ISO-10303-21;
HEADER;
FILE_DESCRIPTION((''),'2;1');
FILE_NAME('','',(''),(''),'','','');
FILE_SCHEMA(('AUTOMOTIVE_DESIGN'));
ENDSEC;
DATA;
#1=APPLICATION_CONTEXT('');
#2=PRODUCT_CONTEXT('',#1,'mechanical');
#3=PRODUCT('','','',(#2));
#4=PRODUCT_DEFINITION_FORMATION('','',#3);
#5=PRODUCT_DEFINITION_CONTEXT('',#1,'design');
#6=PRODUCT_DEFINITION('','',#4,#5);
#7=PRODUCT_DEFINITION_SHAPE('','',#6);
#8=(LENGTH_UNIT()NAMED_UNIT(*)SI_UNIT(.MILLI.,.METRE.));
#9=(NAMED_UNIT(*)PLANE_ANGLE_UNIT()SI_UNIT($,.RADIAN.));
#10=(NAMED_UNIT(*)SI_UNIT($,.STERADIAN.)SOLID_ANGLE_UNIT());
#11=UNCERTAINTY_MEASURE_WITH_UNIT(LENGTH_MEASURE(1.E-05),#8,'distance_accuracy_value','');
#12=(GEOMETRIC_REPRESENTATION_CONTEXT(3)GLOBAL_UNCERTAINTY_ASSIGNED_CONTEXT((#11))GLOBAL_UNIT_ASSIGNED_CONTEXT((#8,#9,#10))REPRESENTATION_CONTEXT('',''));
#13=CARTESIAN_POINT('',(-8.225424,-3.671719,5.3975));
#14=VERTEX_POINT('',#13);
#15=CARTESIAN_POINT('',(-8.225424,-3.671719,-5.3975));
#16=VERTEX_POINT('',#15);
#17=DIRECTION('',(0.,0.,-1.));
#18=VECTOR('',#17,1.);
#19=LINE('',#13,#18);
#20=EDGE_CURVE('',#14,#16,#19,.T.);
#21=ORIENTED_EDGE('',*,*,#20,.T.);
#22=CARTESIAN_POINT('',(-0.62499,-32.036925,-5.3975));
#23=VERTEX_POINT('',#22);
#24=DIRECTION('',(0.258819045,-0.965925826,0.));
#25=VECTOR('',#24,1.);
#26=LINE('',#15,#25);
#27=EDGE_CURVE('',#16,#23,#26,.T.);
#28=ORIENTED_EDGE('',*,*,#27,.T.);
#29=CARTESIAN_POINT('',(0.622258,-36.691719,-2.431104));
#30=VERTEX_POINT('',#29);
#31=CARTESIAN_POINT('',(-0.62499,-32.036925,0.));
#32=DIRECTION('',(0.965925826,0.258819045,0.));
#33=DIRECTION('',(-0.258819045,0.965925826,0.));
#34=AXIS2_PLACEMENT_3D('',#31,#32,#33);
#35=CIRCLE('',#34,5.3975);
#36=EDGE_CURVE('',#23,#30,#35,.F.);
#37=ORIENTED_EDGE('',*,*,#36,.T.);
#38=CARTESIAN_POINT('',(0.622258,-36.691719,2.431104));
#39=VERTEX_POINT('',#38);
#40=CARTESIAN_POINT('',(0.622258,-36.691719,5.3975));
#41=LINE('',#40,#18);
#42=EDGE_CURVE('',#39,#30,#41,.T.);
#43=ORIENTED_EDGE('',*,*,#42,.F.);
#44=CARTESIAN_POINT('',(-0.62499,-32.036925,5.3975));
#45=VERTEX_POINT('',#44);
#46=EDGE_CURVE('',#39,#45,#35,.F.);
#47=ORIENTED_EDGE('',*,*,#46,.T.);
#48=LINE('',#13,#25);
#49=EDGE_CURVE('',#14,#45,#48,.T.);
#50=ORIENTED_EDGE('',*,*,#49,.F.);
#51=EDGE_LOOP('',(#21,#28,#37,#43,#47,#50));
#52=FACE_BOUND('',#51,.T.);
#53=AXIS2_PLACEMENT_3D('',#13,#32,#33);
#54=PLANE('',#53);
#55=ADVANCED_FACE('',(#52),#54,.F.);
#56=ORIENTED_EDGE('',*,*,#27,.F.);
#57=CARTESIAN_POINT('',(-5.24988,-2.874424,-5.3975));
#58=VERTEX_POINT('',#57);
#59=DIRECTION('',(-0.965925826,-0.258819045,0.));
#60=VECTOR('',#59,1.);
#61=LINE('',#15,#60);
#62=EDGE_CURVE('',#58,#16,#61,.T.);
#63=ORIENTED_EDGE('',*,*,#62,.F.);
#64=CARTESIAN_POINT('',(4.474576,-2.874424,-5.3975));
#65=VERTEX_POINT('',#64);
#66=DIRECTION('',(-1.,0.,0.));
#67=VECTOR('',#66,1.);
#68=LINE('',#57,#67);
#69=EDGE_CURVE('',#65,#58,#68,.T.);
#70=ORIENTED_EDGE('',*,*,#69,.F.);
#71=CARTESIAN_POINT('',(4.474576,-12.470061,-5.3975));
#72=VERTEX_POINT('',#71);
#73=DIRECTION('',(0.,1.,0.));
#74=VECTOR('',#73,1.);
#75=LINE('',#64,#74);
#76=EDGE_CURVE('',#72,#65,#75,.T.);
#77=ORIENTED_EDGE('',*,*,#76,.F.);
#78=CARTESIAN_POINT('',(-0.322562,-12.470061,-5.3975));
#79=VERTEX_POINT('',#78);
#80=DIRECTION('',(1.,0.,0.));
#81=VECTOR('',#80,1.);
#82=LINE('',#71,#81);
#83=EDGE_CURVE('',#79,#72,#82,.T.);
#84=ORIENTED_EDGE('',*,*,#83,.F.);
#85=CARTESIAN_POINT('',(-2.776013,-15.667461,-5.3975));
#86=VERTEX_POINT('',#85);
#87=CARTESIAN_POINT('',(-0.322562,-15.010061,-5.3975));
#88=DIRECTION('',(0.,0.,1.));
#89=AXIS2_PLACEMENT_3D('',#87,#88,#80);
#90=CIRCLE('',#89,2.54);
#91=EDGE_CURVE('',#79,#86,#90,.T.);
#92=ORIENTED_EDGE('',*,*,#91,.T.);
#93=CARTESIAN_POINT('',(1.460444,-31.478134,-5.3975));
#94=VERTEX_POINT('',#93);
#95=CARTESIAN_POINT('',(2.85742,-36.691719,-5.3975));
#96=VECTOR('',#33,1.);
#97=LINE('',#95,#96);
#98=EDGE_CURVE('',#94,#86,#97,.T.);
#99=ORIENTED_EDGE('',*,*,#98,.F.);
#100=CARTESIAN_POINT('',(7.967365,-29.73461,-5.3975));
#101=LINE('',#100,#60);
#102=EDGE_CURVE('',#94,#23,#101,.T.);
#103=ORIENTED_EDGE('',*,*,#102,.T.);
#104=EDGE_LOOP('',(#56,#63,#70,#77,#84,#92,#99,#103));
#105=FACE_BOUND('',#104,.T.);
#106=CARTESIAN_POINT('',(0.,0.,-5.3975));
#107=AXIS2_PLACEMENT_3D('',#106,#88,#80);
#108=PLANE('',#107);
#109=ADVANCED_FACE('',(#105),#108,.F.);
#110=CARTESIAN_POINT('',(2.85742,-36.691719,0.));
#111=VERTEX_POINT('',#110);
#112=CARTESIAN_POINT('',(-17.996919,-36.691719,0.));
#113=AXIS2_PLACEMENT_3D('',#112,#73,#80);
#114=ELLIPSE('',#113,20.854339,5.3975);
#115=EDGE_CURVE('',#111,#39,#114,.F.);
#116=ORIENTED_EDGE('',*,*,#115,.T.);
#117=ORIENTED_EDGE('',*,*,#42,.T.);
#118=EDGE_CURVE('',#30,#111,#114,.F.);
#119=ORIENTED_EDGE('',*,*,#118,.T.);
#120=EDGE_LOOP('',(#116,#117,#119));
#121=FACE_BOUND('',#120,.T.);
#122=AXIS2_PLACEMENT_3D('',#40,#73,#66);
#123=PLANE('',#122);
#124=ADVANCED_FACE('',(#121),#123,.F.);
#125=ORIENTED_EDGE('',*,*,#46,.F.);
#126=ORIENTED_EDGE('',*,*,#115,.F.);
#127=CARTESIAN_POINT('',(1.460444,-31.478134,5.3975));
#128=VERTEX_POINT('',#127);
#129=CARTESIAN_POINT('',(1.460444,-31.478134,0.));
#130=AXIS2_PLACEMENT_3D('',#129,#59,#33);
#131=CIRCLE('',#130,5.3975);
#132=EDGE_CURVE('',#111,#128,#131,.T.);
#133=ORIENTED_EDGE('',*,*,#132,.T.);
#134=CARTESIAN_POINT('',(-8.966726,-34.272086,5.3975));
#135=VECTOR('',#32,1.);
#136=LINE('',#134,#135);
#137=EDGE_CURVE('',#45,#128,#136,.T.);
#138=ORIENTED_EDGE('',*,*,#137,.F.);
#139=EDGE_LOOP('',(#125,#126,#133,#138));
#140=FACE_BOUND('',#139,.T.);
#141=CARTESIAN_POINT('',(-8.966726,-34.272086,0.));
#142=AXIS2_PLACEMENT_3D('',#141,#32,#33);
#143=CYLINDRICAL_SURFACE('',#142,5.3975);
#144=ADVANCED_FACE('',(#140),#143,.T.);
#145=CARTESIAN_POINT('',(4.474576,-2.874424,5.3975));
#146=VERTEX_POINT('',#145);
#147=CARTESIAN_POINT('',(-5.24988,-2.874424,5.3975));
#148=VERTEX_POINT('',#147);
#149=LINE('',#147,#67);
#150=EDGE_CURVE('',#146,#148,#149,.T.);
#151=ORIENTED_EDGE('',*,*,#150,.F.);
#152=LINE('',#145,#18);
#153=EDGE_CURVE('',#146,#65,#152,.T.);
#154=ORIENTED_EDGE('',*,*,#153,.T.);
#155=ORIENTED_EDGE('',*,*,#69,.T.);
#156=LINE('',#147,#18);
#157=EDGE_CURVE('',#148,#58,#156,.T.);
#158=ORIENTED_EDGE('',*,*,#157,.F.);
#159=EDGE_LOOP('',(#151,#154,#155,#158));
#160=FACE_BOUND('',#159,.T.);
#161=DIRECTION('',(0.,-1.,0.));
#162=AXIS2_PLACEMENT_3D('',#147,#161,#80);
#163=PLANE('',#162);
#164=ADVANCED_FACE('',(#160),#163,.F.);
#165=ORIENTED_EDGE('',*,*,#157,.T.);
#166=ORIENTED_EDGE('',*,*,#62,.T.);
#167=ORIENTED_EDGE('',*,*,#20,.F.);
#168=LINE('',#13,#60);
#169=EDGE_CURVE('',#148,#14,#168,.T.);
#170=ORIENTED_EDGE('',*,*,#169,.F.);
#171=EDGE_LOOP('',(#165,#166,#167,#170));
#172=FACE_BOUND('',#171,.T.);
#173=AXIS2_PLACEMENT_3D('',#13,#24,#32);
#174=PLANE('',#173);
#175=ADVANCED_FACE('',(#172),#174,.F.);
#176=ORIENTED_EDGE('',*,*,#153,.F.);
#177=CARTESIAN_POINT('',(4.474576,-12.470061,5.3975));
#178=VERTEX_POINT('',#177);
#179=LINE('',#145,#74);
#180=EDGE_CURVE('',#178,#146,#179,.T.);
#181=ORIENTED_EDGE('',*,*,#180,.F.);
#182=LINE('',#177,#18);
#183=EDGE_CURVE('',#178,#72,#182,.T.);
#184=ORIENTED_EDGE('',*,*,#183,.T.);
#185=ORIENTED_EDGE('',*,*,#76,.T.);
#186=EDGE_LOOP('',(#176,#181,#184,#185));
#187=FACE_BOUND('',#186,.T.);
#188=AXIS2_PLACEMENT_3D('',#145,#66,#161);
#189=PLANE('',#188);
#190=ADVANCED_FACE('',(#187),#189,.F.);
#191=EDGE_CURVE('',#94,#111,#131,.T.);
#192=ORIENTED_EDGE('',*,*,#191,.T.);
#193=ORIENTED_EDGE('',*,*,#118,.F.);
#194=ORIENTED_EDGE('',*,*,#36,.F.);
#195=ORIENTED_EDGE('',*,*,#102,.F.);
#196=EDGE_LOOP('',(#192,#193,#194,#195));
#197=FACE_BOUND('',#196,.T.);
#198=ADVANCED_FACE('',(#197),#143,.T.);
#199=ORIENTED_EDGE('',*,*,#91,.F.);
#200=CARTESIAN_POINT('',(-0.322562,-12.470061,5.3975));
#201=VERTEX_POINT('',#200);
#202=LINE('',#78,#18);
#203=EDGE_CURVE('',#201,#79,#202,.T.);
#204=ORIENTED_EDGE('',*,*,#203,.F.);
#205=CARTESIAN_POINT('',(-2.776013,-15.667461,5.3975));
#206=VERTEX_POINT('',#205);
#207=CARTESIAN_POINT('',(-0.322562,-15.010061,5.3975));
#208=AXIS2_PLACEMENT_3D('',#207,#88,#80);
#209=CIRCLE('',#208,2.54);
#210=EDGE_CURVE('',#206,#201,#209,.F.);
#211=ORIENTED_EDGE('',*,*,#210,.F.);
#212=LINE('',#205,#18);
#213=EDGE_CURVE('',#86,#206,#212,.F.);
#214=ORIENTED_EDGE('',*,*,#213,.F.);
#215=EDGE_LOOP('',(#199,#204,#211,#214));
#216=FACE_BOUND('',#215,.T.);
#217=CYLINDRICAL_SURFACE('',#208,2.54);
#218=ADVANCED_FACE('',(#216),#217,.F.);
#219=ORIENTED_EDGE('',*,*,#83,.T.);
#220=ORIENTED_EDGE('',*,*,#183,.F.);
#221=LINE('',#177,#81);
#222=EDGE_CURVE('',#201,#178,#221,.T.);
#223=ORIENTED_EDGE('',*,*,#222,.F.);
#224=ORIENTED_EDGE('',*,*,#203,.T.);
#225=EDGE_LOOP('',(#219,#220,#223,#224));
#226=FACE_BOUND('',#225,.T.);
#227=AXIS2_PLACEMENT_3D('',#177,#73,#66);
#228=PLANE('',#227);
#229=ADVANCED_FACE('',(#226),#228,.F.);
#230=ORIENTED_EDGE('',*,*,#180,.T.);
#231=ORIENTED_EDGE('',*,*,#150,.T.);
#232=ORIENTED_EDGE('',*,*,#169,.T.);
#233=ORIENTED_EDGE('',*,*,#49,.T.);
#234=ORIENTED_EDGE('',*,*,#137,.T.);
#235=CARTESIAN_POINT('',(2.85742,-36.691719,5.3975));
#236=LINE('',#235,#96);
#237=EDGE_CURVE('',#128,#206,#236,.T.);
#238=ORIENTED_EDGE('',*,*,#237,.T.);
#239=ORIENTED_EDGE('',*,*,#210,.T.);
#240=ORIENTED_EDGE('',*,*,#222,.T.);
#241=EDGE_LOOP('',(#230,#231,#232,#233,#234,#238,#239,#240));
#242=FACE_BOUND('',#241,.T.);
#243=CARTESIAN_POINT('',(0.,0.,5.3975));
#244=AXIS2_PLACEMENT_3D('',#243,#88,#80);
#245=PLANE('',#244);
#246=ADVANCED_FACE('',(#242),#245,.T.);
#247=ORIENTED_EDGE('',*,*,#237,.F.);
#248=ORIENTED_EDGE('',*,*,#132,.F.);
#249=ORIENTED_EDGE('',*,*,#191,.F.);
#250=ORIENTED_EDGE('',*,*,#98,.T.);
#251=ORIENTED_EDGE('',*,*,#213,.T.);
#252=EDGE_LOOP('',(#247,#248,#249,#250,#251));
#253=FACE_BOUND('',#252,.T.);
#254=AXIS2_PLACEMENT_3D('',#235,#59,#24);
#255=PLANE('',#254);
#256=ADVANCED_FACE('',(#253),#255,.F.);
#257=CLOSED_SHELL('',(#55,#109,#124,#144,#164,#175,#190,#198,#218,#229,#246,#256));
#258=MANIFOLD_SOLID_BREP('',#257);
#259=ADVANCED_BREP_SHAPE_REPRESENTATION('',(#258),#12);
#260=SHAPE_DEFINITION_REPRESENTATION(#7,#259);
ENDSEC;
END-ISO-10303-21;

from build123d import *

# Parameters (mm, degrees)
BOSS_EXTRUDE1_DEPTH = 5.3975
FILLET1_R           = 2.54
CUT_EXTRUDE1_DEPTH  = 10.795


with BuildPart() as part:
    # Sketch1 → Boss-Extrude1 (new, symmetric)
    with BuildSketch(Plane.XY):
        Polygon((-8.225424052, -3.67171889), (0.622258282, -36.69171889), (2.857419556, -36.69171889), (-3.632754155, -12.470060853), (4.474575948, -12.470060853), (4.474575948, -2.874424181), (-5.24987969, -2.874424181), align=None)
    extrude(amount=BOSS_EXTRUDE1_DEPTH, both=True)

    # Fillet1
    fillet1_edges = [part.edges().sort_by_distance(p)[0] for p in [
        (-3.632754155, -12.470060853, 0),
    ]]
    fillet(fillet1_edges, radius=FILLET1_R)

    # Sketch2 → Cut-Extrude1 (cut)
    with BuildSketch(Plane(origin=(-6.506920982, -1.743524222, 0), x_dir=(0, 0, -1), z_dir=(0.9659258262890691, 0.2588190451025181, 0))):
        with BuildLine():
            Line((-5.3975, -30.783533487), (-9.351765914, -30.783533487))
            Line((-9.351765914, -30.783533487), (-9.351765914, -40.742477504))
            Line((-9.351765914, -40.742477504), (7.77118576, -40.742477504))
            Line((7.77118576, -40.742477504), (7.77118576, -30.783533487))
            Line((7.77118576, -30.783533487), (5.3975, -30.783533487))
            ThreePointArc((5.3975, -30.783533487), (0, -36.181033487), (-5.3975, -30.783533487))
        make_face()
    extrude(amount=-CUT_EXTRUDE1_DEPTH, mode=Mode.SUBTRACT)


solid = part.part
